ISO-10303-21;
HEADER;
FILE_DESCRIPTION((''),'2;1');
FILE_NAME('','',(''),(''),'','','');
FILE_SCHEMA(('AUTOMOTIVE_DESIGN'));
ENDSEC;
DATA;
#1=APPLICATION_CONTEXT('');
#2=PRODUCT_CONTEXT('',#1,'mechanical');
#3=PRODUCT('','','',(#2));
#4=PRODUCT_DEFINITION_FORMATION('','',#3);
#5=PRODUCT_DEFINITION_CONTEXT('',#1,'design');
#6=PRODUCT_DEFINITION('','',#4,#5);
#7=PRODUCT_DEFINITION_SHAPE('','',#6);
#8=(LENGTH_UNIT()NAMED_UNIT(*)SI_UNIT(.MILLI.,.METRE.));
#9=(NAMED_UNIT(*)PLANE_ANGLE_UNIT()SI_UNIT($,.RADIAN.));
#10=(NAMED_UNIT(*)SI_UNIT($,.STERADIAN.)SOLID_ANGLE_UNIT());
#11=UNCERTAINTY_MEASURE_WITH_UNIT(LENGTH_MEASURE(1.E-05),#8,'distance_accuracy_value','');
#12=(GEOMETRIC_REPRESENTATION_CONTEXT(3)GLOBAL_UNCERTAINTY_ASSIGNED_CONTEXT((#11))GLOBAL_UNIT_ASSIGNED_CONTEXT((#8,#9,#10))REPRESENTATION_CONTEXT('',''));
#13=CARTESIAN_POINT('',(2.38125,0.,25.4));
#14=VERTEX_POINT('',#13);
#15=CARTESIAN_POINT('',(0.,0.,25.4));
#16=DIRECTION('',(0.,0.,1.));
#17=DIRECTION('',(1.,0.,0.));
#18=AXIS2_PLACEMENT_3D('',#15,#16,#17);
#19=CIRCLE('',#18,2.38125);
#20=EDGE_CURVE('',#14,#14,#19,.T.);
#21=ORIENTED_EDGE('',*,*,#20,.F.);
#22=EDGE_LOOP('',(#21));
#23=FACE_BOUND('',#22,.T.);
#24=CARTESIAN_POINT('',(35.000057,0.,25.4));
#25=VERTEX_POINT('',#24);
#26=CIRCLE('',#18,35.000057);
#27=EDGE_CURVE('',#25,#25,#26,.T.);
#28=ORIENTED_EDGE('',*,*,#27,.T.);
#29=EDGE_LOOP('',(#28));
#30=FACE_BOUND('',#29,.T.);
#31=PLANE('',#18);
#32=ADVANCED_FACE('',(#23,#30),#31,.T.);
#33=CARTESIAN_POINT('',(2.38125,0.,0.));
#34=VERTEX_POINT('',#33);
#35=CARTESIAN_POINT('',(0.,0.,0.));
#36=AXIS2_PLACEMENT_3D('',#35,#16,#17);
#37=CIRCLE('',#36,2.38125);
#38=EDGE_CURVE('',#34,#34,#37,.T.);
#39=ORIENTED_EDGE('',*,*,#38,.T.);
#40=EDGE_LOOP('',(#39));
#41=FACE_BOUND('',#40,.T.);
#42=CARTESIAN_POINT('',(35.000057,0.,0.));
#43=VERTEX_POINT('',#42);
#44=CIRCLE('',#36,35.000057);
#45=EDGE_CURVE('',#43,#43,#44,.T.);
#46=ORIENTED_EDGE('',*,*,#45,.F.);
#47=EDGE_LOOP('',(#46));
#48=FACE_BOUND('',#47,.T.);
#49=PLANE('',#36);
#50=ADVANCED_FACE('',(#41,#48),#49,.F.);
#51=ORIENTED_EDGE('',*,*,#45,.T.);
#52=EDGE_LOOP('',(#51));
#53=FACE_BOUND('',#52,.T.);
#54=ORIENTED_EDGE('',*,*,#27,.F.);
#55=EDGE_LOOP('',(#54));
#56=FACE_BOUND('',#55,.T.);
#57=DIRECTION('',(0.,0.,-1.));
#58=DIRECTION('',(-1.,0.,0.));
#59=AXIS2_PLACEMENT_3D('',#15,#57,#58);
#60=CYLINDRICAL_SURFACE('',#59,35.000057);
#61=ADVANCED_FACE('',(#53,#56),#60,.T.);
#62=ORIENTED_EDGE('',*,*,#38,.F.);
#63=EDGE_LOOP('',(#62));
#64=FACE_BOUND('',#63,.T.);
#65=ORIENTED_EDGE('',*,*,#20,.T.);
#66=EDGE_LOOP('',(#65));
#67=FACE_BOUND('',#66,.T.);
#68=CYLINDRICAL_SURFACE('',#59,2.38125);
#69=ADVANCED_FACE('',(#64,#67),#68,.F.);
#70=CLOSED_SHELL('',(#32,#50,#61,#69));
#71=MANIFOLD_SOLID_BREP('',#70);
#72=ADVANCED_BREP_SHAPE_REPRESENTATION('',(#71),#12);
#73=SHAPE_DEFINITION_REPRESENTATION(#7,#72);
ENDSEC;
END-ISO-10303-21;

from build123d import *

# Parameters (mm, degrees)
SKETCH1_R           = 35.000057
SKETCH1_R_2         = 2.38125
BOSS_EXTRUDE1_DEPTH = 25.4


with BuildPart() as part:
    # Sketch1 → Boss-Extrude1 (new body)
    with BuildSketch(Plane.XY):
        Circle(SKETCH1_R)
        Circle(SKETCH1_R_2, mode=Mode.SUBTRACT)
    extrude(amount=BOSS_EXTRUDE1_DEPTH)


solid = part.part
